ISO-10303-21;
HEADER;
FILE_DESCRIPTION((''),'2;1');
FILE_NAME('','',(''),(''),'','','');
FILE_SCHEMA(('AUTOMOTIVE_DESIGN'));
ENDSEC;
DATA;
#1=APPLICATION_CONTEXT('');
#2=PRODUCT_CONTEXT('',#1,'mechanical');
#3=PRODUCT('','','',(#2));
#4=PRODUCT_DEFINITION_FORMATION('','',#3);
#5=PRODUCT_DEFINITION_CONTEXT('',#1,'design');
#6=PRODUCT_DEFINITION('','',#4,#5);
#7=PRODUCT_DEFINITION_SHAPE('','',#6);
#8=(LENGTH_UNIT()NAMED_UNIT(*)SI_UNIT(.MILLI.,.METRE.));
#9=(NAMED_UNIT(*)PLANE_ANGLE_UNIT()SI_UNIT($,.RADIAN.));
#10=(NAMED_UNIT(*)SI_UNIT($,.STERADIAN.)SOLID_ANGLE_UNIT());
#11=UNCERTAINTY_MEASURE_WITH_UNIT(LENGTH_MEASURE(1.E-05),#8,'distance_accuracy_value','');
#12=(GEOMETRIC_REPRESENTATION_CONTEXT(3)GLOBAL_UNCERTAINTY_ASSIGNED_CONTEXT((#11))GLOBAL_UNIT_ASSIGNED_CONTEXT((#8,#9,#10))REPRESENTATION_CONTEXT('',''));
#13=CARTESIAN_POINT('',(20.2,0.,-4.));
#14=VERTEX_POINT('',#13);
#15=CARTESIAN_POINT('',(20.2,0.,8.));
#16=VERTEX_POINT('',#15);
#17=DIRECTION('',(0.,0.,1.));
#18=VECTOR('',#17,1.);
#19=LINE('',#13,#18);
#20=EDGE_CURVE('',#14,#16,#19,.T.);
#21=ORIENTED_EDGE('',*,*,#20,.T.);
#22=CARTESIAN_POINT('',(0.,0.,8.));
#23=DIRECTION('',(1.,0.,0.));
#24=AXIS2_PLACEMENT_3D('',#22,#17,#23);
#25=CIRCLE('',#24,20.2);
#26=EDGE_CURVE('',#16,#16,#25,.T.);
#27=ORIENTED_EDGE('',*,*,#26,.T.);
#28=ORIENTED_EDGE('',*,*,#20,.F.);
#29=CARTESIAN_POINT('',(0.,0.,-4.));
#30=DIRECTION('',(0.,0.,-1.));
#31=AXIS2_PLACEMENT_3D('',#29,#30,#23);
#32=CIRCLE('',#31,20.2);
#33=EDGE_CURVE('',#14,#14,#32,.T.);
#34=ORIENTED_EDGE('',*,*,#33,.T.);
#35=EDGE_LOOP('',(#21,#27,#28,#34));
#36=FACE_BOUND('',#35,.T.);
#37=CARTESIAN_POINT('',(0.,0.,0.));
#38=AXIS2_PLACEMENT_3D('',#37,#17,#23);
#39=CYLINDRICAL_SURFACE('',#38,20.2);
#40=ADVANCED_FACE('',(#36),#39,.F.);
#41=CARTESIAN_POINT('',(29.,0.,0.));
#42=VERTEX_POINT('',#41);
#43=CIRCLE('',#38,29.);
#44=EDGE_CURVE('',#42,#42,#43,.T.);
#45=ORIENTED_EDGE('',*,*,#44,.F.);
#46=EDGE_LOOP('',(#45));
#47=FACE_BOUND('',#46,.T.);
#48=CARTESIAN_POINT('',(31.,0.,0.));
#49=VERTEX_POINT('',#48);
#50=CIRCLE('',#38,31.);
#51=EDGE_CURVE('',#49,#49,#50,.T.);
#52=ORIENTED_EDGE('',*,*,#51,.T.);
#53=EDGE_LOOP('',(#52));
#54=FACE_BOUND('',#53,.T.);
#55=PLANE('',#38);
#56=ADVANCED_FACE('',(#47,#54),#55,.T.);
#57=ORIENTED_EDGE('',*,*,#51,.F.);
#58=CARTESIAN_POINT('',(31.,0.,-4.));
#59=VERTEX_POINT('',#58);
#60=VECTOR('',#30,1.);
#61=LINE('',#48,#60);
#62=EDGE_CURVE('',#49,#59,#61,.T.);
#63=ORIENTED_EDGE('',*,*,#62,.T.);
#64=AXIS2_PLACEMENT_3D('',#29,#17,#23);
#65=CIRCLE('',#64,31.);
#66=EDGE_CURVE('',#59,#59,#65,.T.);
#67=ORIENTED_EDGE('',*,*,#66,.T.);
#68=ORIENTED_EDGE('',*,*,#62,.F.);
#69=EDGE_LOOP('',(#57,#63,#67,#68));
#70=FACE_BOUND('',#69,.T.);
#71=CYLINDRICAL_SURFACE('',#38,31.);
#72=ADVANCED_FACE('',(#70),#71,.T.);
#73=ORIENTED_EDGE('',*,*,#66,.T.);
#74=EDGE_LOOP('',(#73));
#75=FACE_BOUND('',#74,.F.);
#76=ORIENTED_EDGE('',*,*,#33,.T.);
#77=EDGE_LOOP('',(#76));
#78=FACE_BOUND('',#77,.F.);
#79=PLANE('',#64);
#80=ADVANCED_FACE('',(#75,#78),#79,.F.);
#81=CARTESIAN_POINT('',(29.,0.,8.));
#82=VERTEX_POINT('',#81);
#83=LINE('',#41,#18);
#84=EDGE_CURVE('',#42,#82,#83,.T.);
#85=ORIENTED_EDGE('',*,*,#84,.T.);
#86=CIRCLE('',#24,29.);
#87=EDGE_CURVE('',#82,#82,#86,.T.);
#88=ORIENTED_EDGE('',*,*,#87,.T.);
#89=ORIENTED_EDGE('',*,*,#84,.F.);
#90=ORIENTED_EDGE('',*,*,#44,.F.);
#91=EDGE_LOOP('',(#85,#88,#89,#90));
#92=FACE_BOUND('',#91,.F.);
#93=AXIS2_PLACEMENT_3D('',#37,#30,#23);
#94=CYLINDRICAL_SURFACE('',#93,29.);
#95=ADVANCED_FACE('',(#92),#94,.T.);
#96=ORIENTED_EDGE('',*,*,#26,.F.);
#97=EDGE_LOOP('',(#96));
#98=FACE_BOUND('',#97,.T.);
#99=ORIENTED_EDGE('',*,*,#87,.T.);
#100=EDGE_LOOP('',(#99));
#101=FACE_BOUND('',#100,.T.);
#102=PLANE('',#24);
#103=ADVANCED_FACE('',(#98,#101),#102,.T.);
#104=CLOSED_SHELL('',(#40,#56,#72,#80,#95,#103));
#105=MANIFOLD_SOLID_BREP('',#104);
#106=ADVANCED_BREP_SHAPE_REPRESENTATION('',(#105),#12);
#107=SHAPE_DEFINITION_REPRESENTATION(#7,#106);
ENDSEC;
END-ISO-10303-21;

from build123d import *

# Parameters (mm, degrees)
F0_R        = 29
F0_R_2      = 20.2
F1_DEPTH    = 8
F0_R_3      = 31
F1_FACE_R   = 29
F1_FACE_R_2 = 20.2
F2_DEPTH    = 4


with BuildPart() as f1:
    # F0 (on Top) → F1 (new body)
    with BuildSketch(Plane.XY):
        Circle(F0_R)
        Circle(F0_R_2, mode=Mode.SUBTRACT)
    extrude(amount=F1_DEPTH)

    # F0 (on Top) + F1_face (on face) → F2 (join)
    with BuildSketch(Plane.XY):
        Circle(F0_R_3)
        Circle(F0_R, mode=Mode.SUBTRACT)
    with BuildSketch(Plane(origin=(0, 0, 0), x_dir=(1, 0, 0), z_dir=(0, 0, -1))):
        Circle(F1_FACE_R)
        Circle(F1_FACE_R_2, mode=Mode.SUBTRACT)
    extrude(amount=-F2_DEPTH, dir=(0, 0, 1))


solid = f1.part
